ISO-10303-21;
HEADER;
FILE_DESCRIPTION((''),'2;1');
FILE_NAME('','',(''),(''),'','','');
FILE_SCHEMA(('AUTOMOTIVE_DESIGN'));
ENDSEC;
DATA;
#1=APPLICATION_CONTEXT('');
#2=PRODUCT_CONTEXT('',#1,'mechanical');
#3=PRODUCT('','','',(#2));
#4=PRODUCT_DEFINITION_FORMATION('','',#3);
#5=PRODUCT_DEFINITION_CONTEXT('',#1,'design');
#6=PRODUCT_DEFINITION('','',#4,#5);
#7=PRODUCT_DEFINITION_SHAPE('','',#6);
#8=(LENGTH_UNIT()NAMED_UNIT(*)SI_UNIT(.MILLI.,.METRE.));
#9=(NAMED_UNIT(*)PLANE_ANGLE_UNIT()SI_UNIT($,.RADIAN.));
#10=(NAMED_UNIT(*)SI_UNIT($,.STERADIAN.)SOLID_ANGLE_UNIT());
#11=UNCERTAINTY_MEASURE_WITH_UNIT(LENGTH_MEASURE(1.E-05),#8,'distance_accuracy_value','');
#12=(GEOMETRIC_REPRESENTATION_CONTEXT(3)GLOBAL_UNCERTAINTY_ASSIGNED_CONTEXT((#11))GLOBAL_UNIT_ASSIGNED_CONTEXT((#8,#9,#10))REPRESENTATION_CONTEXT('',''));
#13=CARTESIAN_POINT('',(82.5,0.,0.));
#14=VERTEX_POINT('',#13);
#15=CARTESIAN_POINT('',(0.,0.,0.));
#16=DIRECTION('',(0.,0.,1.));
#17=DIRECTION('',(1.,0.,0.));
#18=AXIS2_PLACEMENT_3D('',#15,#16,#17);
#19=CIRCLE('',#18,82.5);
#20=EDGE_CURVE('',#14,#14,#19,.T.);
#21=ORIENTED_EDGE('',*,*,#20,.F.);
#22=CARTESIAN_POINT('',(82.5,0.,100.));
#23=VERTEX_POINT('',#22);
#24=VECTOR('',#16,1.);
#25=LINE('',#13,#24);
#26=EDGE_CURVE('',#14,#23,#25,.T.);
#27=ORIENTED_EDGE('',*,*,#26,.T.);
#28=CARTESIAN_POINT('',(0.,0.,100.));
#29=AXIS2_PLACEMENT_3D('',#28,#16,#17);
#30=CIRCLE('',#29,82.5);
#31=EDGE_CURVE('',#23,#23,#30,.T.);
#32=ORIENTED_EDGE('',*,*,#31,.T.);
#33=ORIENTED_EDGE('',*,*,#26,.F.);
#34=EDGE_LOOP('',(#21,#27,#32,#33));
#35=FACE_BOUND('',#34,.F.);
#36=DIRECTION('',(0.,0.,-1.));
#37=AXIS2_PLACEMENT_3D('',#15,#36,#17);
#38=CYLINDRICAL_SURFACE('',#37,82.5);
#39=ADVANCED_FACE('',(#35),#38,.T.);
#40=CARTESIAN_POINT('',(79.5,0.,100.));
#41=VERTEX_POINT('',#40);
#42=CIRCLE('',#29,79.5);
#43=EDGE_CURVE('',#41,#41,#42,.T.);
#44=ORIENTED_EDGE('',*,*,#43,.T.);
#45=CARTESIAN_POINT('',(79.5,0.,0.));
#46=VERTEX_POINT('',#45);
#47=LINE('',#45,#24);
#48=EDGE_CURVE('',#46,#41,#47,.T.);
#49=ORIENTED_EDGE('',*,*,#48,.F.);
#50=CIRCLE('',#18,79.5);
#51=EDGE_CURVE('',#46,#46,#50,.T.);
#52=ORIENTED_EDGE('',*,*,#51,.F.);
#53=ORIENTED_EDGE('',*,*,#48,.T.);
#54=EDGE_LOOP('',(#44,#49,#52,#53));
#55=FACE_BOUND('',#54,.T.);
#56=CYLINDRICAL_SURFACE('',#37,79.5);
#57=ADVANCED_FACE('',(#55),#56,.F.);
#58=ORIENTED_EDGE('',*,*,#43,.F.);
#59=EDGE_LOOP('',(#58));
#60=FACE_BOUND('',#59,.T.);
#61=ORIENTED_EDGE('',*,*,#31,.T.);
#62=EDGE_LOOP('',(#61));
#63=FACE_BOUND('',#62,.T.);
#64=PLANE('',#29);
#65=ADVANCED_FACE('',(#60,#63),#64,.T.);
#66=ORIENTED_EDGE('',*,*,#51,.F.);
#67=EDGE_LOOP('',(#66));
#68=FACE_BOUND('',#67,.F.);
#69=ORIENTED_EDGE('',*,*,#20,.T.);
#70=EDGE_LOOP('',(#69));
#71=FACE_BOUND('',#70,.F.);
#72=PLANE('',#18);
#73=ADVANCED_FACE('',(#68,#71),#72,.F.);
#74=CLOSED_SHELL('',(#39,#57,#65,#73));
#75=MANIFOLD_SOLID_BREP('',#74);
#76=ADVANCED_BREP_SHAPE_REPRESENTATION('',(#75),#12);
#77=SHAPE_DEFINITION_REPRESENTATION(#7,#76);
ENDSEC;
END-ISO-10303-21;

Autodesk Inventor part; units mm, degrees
ref_plane "YZ Plane" through (0, 0, 0) normal (1, 0, 0) x (0, 1, 0)
ref_plane "XZ Plane" through (0, 0, 0) normal (0, 1, 0) x (-1, 0, 0)
ref_plane "XY Plane" through (0, 0, 0) normal (0, 0, 1) x (1, 0, 0)
sketch "Sketch1" plane through (0, 0, 0) normal (0, 0, 1) x (1, 0, 0)
  circle A0 centre (0, 0) radius 82.5
  circle A1 centre (0, 0) radius 79.5
  dimension "d0" = 165
  dimension "d1" = 3
extrude "Extrusion1" add sketch "Sketch1" along normal blind 100
equation "\"d0\" = MAIN_Outer_Tube_Diam"
equation "\"MAIN_Outer_Tube_Diam\" = 165"
properties part number "DSB 111 outer tube" material "Stainless Steel"
